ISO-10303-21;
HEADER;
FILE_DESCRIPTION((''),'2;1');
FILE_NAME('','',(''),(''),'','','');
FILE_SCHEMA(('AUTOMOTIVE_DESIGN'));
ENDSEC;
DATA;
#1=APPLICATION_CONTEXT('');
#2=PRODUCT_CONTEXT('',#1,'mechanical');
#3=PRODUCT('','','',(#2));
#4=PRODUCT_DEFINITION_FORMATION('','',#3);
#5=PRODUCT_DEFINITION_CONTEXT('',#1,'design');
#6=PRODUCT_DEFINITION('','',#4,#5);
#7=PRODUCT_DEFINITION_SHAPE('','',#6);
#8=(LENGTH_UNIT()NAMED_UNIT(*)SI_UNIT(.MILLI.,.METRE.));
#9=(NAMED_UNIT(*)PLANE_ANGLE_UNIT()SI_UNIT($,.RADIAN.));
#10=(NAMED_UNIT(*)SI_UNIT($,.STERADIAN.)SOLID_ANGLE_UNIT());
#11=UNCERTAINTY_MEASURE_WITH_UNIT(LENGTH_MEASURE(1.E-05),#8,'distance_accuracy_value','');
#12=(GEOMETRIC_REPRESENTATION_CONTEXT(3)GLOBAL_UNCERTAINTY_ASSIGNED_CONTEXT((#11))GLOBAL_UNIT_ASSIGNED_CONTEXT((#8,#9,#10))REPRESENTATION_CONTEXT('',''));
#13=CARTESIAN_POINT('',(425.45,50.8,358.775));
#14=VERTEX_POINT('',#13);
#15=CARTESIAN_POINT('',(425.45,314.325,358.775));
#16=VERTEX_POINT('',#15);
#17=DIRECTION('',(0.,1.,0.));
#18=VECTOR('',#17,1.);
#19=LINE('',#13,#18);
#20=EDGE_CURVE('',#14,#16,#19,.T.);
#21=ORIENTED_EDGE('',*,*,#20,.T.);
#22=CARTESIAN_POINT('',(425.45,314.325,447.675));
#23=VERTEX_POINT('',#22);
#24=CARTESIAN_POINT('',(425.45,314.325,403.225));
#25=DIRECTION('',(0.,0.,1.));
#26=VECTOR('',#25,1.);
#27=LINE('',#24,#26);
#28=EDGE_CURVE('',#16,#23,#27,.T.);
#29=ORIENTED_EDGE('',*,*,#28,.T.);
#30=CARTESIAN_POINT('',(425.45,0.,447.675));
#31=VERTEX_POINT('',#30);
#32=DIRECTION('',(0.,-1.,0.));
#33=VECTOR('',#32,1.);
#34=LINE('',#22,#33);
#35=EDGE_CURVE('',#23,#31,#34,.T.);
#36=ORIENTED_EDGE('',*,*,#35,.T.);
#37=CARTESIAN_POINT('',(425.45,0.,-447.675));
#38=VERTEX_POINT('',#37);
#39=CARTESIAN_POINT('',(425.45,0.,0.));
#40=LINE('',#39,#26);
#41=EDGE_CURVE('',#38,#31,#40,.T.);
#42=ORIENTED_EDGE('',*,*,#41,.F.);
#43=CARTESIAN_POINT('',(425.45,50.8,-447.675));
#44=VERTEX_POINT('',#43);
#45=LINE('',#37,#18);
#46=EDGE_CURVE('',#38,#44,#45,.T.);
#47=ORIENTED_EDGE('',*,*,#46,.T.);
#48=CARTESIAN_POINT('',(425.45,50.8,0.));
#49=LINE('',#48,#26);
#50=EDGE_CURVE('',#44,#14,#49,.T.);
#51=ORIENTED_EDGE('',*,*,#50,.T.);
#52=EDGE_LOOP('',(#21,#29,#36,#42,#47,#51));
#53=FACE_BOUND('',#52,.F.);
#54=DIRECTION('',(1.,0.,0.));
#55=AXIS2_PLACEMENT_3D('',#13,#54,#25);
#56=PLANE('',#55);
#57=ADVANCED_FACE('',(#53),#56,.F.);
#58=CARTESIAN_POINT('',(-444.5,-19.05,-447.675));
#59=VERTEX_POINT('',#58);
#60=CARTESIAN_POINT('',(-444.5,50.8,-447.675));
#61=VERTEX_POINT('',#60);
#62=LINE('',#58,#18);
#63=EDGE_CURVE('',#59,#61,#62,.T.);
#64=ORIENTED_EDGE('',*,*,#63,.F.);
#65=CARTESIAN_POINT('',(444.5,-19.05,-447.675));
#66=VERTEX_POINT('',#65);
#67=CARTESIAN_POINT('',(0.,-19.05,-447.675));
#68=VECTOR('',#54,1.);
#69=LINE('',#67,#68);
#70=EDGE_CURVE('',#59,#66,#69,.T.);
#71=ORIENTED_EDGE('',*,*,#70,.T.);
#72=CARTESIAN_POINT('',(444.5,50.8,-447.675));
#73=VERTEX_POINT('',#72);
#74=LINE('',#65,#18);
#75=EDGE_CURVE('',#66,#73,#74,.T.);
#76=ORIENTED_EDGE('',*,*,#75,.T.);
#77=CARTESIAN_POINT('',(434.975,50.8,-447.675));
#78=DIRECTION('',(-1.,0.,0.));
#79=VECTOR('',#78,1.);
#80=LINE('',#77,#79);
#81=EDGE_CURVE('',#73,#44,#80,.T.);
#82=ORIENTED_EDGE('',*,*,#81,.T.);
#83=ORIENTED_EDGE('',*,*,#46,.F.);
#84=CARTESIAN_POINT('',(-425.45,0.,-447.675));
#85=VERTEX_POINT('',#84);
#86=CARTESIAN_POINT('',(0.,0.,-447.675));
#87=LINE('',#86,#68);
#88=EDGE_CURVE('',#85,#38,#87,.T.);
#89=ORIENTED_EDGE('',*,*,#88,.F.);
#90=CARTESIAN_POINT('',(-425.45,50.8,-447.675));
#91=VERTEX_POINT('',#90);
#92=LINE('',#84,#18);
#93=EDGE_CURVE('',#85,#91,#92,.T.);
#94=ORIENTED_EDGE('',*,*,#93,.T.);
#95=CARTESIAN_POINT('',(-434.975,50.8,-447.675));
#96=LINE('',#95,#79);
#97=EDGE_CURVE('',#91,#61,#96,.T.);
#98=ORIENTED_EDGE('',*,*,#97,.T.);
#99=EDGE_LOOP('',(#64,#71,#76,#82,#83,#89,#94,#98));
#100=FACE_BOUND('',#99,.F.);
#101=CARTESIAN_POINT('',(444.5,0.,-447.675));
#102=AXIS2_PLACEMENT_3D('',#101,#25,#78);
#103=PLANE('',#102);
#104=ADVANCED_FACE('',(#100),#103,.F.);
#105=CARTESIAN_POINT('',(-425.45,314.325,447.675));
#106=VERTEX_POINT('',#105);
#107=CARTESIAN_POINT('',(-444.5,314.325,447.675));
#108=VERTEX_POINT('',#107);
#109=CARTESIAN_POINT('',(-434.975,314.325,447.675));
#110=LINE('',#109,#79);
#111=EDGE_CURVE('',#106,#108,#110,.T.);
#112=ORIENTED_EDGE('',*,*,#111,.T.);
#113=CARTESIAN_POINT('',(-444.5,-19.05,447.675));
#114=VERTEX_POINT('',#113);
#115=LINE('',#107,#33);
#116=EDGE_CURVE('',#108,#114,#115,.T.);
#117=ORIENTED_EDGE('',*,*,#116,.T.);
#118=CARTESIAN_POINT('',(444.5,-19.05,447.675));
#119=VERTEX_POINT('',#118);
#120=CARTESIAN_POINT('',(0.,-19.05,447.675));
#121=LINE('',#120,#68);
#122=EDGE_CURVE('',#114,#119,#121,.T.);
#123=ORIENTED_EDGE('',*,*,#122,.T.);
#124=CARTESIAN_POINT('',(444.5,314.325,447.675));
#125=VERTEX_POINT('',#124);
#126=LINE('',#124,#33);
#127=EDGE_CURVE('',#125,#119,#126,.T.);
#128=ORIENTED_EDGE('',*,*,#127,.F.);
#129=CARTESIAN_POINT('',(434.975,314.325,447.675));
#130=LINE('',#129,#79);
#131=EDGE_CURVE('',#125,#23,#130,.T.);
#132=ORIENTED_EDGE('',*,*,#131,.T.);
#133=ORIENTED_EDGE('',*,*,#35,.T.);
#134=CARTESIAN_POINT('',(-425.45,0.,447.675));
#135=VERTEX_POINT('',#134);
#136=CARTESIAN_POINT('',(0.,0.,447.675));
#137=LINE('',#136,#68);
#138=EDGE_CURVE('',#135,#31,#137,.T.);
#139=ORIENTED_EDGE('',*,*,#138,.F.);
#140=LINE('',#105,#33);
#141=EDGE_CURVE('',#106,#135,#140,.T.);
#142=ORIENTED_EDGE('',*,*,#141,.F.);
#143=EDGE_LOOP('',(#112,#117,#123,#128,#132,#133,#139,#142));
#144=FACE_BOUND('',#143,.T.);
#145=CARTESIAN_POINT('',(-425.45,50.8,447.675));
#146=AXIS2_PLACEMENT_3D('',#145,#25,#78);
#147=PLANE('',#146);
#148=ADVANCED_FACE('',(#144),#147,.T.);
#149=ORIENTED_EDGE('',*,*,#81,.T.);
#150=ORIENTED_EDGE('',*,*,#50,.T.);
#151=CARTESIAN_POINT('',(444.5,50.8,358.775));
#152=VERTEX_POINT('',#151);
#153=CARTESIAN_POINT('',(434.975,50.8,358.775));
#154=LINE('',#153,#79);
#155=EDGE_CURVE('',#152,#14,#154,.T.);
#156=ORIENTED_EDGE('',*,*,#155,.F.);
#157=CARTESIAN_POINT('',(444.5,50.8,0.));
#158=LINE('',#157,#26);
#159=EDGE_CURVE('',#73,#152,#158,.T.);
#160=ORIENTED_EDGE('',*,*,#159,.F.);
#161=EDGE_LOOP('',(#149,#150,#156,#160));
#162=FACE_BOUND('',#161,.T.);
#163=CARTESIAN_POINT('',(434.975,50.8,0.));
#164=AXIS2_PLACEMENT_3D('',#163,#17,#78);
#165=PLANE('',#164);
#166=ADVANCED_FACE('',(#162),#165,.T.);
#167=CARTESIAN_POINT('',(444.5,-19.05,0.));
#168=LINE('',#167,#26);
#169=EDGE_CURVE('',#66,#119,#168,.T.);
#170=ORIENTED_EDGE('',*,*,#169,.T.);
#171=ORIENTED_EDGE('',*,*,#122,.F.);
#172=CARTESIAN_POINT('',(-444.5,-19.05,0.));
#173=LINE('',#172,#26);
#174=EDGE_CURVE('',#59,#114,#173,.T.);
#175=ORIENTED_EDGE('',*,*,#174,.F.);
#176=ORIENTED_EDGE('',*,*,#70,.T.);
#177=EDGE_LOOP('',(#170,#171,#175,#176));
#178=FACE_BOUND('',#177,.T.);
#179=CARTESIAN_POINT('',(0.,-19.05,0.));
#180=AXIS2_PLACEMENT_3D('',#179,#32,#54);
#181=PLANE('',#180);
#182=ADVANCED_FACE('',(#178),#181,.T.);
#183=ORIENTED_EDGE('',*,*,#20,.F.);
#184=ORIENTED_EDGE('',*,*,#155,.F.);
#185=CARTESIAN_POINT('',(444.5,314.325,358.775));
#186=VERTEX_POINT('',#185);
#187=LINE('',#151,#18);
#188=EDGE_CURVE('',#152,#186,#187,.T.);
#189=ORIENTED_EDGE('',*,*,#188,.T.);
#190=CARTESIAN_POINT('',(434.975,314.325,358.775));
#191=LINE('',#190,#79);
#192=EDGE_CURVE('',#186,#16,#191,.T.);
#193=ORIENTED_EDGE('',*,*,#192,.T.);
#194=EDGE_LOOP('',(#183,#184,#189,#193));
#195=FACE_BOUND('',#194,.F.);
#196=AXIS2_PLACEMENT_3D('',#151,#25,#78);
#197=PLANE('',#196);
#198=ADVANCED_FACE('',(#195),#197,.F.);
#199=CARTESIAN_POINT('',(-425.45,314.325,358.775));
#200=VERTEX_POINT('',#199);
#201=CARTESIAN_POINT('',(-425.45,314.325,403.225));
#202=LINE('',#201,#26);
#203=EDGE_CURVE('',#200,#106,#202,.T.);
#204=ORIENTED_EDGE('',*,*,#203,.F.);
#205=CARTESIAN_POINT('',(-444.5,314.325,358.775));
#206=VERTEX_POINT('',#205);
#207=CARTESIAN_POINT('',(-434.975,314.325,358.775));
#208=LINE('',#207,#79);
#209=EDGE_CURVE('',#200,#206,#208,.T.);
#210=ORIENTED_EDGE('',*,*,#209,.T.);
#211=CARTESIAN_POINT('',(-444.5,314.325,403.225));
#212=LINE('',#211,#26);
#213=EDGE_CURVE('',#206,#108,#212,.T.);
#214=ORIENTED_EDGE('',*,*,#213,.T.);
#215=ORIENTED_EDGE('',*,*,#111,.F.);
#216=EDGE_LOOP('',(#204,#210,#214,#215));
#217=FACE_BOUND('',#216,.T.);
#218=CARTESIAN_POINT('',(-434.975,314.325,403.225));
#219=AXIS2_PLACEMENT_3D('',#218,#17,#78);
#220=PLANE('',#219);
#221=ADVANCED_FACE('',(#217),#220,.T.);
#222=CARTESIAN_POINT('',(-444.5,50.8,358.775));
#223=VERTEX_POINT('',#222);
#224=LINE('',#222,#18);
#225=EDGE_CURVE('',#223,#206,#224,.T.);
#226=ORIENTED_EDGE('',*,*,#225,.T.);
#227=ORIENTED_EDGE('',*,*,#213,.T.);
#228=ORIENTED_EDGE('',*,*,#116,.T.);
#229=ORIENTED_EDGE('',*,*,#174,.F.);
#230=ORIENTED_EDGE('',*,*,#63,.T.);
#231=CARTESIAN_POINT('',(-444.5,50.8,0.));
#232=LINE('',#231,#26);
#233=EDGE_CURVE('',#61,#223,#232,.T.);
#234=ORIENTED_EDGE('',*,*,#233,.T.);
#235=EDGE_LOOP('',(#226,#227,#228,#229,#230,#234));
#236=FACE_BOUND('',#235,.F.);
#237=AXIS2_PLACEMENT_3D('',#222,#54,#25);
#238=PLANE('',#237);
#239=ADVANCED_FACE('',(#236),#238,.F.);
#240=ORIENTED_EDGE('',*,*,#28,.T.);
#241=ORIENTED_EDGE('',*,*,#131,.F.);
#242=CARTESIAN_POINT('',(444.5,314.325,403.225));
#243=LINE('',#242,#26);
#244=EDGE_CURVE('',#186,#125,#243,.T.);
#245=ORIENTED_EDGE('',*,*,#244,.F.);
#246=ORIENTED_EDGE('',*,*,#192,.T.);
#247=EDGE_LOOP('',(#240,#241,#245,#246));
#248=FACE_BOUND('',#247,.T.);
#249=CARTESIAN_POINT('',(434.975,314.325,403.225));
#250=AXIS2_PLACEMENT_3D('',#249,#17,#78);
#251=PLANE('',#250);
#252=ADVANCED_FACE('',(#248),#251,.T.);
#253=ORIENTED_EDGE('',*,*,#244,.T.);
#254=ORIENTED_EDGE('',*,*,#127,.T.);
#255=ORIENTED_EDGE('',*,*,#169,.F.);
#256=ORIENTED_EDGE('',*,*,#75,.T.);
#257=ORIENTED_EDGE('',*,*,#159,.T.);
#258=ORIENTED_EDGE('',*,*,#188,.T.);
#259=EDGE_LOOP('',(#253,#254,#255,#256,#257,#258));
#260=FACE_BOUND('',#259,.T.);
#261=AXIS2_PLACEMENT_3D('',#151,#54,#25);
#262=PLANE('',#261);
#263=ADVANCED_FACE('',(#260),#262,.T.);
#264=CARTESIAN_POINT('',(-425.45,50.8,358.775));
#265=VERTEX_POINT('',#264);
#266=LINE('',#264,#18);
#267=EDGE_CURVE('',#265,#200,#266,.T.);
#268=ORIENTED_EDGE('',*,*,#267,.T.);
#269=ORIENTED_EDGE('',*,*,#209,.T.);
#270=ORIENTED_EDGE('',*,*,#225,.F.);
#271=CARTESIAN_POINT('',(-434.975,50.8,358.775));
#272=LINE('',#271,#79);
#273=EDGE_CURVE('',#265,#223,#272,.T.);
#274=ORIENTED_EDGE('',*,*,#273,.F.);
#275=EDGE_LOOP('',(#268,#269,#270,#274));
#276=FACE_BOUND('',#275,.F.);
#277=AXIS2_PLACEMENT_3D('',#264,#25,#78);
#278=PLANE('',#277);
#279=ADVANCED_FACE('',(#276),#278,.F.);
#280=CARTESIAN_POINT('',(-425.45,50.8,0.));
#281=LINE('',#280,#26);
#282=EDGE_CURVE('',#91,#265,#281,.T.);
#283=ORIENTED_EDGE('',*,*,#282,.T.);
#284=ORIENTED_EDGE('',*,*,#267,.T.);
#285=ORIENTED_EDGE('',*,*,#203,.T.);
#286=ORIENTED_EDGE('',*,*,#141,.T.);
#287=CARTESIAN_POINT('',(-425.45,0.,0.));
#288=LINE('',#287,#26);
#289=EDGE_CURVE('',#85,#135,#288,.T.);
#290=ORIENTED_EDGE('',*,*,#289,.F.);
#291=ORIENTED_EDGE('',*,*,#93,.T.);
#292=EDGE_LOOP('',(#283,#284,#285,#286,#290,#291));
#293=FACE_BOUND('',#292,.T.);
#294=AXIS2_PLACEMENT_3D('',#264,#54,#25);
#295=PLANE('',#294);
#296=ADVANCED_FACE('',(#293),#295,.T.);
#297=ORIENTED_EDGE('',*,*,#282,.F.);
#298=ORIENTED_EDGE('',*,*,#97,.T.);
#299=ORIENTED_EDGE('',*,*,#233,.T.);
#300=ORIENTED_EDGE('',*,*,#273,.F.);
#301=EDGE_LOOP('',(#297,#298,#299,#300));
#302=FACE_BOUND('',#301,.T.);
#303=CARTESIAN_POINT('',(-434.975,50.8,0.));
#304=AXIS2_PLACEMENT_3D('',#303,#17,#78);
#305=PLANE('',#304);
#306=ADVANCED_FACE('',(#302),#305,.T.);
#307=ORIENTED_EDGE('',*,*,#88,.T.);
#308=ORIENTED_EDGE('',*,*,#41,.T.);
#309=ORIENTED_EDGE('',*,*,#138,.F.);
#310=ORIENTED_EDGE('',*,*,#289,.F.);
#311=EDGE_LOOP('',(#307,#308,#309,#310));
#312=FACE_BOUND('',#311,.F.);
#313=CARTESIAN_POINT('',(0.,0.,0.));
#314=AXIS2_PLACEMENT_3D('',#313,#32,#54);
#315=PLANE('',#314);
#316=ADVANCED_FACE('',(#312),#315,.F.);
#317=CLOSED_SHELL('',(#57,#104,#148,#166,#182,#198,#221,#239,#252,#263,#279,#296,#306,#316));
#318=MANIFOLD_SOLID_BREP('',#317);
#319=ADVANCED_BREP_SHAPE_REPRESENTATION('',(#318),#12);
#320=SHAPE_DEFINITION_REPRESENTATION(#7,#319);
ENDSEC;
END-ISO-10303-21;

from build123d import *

# Parameters (mm, degrees)
F0_W     = 889
F0_H     = 895.35
F1_DEPTH = 19.05
F2_W     = 19.05
F2_H     = 895.35
F3_DEPTH = 50.8
F4_W     = 19.05
F4_H     = 88.9
F5_DEPTH = 263.525
F6_W     = 19.05
F6_H     = 88.9
F7_DEPTH = 263.525


with BuildPart() as f1:
    # F0 (on Front) → F1 (new body)
    with BuildSketch(Plane.XZ):
        Rectangle(F0_W, F0_H)
    extrude(amount=F1_DEPTH)

    # F2 (on face) → F3 (join)
    with BuildSketch(Plane(origin=(0, 0, 0), x_dir=(-1, 0, 0), z_dir=(0, 1, 0))):
        with Locations((-434.975, 0)):
            Rectangle(F2_W, F2_H)
        with Locations((434.975, 0)):
            Rectangle(F2_W, F2_H)
    extrude(amount=F3_DEPTH)

    # F4 (on face) → F5 (join)
    with BuildSketch(Plane(origin=(0, 50.8, 0), x_dir=(-1, 0, 0), z_dir=(0, 1, 0))):
        with Locations((-434.975, 403.225)):
            Rectangle(F4_W, F4_H)
    extrude(amount=F5_DEPTH)

    # F6 (on face) → F7 (join)
    with BuildSketch(Plane(origin=(0, 50.8, 0), x_dir=(-1, 0, 0), z_dir=(0, 1, 0))):
        with Locations((434.975, 403.225)):
            Rectangle(F6_W, F6_H)
    extrude(amount=F7_DEPTH)


solid = f1.part
